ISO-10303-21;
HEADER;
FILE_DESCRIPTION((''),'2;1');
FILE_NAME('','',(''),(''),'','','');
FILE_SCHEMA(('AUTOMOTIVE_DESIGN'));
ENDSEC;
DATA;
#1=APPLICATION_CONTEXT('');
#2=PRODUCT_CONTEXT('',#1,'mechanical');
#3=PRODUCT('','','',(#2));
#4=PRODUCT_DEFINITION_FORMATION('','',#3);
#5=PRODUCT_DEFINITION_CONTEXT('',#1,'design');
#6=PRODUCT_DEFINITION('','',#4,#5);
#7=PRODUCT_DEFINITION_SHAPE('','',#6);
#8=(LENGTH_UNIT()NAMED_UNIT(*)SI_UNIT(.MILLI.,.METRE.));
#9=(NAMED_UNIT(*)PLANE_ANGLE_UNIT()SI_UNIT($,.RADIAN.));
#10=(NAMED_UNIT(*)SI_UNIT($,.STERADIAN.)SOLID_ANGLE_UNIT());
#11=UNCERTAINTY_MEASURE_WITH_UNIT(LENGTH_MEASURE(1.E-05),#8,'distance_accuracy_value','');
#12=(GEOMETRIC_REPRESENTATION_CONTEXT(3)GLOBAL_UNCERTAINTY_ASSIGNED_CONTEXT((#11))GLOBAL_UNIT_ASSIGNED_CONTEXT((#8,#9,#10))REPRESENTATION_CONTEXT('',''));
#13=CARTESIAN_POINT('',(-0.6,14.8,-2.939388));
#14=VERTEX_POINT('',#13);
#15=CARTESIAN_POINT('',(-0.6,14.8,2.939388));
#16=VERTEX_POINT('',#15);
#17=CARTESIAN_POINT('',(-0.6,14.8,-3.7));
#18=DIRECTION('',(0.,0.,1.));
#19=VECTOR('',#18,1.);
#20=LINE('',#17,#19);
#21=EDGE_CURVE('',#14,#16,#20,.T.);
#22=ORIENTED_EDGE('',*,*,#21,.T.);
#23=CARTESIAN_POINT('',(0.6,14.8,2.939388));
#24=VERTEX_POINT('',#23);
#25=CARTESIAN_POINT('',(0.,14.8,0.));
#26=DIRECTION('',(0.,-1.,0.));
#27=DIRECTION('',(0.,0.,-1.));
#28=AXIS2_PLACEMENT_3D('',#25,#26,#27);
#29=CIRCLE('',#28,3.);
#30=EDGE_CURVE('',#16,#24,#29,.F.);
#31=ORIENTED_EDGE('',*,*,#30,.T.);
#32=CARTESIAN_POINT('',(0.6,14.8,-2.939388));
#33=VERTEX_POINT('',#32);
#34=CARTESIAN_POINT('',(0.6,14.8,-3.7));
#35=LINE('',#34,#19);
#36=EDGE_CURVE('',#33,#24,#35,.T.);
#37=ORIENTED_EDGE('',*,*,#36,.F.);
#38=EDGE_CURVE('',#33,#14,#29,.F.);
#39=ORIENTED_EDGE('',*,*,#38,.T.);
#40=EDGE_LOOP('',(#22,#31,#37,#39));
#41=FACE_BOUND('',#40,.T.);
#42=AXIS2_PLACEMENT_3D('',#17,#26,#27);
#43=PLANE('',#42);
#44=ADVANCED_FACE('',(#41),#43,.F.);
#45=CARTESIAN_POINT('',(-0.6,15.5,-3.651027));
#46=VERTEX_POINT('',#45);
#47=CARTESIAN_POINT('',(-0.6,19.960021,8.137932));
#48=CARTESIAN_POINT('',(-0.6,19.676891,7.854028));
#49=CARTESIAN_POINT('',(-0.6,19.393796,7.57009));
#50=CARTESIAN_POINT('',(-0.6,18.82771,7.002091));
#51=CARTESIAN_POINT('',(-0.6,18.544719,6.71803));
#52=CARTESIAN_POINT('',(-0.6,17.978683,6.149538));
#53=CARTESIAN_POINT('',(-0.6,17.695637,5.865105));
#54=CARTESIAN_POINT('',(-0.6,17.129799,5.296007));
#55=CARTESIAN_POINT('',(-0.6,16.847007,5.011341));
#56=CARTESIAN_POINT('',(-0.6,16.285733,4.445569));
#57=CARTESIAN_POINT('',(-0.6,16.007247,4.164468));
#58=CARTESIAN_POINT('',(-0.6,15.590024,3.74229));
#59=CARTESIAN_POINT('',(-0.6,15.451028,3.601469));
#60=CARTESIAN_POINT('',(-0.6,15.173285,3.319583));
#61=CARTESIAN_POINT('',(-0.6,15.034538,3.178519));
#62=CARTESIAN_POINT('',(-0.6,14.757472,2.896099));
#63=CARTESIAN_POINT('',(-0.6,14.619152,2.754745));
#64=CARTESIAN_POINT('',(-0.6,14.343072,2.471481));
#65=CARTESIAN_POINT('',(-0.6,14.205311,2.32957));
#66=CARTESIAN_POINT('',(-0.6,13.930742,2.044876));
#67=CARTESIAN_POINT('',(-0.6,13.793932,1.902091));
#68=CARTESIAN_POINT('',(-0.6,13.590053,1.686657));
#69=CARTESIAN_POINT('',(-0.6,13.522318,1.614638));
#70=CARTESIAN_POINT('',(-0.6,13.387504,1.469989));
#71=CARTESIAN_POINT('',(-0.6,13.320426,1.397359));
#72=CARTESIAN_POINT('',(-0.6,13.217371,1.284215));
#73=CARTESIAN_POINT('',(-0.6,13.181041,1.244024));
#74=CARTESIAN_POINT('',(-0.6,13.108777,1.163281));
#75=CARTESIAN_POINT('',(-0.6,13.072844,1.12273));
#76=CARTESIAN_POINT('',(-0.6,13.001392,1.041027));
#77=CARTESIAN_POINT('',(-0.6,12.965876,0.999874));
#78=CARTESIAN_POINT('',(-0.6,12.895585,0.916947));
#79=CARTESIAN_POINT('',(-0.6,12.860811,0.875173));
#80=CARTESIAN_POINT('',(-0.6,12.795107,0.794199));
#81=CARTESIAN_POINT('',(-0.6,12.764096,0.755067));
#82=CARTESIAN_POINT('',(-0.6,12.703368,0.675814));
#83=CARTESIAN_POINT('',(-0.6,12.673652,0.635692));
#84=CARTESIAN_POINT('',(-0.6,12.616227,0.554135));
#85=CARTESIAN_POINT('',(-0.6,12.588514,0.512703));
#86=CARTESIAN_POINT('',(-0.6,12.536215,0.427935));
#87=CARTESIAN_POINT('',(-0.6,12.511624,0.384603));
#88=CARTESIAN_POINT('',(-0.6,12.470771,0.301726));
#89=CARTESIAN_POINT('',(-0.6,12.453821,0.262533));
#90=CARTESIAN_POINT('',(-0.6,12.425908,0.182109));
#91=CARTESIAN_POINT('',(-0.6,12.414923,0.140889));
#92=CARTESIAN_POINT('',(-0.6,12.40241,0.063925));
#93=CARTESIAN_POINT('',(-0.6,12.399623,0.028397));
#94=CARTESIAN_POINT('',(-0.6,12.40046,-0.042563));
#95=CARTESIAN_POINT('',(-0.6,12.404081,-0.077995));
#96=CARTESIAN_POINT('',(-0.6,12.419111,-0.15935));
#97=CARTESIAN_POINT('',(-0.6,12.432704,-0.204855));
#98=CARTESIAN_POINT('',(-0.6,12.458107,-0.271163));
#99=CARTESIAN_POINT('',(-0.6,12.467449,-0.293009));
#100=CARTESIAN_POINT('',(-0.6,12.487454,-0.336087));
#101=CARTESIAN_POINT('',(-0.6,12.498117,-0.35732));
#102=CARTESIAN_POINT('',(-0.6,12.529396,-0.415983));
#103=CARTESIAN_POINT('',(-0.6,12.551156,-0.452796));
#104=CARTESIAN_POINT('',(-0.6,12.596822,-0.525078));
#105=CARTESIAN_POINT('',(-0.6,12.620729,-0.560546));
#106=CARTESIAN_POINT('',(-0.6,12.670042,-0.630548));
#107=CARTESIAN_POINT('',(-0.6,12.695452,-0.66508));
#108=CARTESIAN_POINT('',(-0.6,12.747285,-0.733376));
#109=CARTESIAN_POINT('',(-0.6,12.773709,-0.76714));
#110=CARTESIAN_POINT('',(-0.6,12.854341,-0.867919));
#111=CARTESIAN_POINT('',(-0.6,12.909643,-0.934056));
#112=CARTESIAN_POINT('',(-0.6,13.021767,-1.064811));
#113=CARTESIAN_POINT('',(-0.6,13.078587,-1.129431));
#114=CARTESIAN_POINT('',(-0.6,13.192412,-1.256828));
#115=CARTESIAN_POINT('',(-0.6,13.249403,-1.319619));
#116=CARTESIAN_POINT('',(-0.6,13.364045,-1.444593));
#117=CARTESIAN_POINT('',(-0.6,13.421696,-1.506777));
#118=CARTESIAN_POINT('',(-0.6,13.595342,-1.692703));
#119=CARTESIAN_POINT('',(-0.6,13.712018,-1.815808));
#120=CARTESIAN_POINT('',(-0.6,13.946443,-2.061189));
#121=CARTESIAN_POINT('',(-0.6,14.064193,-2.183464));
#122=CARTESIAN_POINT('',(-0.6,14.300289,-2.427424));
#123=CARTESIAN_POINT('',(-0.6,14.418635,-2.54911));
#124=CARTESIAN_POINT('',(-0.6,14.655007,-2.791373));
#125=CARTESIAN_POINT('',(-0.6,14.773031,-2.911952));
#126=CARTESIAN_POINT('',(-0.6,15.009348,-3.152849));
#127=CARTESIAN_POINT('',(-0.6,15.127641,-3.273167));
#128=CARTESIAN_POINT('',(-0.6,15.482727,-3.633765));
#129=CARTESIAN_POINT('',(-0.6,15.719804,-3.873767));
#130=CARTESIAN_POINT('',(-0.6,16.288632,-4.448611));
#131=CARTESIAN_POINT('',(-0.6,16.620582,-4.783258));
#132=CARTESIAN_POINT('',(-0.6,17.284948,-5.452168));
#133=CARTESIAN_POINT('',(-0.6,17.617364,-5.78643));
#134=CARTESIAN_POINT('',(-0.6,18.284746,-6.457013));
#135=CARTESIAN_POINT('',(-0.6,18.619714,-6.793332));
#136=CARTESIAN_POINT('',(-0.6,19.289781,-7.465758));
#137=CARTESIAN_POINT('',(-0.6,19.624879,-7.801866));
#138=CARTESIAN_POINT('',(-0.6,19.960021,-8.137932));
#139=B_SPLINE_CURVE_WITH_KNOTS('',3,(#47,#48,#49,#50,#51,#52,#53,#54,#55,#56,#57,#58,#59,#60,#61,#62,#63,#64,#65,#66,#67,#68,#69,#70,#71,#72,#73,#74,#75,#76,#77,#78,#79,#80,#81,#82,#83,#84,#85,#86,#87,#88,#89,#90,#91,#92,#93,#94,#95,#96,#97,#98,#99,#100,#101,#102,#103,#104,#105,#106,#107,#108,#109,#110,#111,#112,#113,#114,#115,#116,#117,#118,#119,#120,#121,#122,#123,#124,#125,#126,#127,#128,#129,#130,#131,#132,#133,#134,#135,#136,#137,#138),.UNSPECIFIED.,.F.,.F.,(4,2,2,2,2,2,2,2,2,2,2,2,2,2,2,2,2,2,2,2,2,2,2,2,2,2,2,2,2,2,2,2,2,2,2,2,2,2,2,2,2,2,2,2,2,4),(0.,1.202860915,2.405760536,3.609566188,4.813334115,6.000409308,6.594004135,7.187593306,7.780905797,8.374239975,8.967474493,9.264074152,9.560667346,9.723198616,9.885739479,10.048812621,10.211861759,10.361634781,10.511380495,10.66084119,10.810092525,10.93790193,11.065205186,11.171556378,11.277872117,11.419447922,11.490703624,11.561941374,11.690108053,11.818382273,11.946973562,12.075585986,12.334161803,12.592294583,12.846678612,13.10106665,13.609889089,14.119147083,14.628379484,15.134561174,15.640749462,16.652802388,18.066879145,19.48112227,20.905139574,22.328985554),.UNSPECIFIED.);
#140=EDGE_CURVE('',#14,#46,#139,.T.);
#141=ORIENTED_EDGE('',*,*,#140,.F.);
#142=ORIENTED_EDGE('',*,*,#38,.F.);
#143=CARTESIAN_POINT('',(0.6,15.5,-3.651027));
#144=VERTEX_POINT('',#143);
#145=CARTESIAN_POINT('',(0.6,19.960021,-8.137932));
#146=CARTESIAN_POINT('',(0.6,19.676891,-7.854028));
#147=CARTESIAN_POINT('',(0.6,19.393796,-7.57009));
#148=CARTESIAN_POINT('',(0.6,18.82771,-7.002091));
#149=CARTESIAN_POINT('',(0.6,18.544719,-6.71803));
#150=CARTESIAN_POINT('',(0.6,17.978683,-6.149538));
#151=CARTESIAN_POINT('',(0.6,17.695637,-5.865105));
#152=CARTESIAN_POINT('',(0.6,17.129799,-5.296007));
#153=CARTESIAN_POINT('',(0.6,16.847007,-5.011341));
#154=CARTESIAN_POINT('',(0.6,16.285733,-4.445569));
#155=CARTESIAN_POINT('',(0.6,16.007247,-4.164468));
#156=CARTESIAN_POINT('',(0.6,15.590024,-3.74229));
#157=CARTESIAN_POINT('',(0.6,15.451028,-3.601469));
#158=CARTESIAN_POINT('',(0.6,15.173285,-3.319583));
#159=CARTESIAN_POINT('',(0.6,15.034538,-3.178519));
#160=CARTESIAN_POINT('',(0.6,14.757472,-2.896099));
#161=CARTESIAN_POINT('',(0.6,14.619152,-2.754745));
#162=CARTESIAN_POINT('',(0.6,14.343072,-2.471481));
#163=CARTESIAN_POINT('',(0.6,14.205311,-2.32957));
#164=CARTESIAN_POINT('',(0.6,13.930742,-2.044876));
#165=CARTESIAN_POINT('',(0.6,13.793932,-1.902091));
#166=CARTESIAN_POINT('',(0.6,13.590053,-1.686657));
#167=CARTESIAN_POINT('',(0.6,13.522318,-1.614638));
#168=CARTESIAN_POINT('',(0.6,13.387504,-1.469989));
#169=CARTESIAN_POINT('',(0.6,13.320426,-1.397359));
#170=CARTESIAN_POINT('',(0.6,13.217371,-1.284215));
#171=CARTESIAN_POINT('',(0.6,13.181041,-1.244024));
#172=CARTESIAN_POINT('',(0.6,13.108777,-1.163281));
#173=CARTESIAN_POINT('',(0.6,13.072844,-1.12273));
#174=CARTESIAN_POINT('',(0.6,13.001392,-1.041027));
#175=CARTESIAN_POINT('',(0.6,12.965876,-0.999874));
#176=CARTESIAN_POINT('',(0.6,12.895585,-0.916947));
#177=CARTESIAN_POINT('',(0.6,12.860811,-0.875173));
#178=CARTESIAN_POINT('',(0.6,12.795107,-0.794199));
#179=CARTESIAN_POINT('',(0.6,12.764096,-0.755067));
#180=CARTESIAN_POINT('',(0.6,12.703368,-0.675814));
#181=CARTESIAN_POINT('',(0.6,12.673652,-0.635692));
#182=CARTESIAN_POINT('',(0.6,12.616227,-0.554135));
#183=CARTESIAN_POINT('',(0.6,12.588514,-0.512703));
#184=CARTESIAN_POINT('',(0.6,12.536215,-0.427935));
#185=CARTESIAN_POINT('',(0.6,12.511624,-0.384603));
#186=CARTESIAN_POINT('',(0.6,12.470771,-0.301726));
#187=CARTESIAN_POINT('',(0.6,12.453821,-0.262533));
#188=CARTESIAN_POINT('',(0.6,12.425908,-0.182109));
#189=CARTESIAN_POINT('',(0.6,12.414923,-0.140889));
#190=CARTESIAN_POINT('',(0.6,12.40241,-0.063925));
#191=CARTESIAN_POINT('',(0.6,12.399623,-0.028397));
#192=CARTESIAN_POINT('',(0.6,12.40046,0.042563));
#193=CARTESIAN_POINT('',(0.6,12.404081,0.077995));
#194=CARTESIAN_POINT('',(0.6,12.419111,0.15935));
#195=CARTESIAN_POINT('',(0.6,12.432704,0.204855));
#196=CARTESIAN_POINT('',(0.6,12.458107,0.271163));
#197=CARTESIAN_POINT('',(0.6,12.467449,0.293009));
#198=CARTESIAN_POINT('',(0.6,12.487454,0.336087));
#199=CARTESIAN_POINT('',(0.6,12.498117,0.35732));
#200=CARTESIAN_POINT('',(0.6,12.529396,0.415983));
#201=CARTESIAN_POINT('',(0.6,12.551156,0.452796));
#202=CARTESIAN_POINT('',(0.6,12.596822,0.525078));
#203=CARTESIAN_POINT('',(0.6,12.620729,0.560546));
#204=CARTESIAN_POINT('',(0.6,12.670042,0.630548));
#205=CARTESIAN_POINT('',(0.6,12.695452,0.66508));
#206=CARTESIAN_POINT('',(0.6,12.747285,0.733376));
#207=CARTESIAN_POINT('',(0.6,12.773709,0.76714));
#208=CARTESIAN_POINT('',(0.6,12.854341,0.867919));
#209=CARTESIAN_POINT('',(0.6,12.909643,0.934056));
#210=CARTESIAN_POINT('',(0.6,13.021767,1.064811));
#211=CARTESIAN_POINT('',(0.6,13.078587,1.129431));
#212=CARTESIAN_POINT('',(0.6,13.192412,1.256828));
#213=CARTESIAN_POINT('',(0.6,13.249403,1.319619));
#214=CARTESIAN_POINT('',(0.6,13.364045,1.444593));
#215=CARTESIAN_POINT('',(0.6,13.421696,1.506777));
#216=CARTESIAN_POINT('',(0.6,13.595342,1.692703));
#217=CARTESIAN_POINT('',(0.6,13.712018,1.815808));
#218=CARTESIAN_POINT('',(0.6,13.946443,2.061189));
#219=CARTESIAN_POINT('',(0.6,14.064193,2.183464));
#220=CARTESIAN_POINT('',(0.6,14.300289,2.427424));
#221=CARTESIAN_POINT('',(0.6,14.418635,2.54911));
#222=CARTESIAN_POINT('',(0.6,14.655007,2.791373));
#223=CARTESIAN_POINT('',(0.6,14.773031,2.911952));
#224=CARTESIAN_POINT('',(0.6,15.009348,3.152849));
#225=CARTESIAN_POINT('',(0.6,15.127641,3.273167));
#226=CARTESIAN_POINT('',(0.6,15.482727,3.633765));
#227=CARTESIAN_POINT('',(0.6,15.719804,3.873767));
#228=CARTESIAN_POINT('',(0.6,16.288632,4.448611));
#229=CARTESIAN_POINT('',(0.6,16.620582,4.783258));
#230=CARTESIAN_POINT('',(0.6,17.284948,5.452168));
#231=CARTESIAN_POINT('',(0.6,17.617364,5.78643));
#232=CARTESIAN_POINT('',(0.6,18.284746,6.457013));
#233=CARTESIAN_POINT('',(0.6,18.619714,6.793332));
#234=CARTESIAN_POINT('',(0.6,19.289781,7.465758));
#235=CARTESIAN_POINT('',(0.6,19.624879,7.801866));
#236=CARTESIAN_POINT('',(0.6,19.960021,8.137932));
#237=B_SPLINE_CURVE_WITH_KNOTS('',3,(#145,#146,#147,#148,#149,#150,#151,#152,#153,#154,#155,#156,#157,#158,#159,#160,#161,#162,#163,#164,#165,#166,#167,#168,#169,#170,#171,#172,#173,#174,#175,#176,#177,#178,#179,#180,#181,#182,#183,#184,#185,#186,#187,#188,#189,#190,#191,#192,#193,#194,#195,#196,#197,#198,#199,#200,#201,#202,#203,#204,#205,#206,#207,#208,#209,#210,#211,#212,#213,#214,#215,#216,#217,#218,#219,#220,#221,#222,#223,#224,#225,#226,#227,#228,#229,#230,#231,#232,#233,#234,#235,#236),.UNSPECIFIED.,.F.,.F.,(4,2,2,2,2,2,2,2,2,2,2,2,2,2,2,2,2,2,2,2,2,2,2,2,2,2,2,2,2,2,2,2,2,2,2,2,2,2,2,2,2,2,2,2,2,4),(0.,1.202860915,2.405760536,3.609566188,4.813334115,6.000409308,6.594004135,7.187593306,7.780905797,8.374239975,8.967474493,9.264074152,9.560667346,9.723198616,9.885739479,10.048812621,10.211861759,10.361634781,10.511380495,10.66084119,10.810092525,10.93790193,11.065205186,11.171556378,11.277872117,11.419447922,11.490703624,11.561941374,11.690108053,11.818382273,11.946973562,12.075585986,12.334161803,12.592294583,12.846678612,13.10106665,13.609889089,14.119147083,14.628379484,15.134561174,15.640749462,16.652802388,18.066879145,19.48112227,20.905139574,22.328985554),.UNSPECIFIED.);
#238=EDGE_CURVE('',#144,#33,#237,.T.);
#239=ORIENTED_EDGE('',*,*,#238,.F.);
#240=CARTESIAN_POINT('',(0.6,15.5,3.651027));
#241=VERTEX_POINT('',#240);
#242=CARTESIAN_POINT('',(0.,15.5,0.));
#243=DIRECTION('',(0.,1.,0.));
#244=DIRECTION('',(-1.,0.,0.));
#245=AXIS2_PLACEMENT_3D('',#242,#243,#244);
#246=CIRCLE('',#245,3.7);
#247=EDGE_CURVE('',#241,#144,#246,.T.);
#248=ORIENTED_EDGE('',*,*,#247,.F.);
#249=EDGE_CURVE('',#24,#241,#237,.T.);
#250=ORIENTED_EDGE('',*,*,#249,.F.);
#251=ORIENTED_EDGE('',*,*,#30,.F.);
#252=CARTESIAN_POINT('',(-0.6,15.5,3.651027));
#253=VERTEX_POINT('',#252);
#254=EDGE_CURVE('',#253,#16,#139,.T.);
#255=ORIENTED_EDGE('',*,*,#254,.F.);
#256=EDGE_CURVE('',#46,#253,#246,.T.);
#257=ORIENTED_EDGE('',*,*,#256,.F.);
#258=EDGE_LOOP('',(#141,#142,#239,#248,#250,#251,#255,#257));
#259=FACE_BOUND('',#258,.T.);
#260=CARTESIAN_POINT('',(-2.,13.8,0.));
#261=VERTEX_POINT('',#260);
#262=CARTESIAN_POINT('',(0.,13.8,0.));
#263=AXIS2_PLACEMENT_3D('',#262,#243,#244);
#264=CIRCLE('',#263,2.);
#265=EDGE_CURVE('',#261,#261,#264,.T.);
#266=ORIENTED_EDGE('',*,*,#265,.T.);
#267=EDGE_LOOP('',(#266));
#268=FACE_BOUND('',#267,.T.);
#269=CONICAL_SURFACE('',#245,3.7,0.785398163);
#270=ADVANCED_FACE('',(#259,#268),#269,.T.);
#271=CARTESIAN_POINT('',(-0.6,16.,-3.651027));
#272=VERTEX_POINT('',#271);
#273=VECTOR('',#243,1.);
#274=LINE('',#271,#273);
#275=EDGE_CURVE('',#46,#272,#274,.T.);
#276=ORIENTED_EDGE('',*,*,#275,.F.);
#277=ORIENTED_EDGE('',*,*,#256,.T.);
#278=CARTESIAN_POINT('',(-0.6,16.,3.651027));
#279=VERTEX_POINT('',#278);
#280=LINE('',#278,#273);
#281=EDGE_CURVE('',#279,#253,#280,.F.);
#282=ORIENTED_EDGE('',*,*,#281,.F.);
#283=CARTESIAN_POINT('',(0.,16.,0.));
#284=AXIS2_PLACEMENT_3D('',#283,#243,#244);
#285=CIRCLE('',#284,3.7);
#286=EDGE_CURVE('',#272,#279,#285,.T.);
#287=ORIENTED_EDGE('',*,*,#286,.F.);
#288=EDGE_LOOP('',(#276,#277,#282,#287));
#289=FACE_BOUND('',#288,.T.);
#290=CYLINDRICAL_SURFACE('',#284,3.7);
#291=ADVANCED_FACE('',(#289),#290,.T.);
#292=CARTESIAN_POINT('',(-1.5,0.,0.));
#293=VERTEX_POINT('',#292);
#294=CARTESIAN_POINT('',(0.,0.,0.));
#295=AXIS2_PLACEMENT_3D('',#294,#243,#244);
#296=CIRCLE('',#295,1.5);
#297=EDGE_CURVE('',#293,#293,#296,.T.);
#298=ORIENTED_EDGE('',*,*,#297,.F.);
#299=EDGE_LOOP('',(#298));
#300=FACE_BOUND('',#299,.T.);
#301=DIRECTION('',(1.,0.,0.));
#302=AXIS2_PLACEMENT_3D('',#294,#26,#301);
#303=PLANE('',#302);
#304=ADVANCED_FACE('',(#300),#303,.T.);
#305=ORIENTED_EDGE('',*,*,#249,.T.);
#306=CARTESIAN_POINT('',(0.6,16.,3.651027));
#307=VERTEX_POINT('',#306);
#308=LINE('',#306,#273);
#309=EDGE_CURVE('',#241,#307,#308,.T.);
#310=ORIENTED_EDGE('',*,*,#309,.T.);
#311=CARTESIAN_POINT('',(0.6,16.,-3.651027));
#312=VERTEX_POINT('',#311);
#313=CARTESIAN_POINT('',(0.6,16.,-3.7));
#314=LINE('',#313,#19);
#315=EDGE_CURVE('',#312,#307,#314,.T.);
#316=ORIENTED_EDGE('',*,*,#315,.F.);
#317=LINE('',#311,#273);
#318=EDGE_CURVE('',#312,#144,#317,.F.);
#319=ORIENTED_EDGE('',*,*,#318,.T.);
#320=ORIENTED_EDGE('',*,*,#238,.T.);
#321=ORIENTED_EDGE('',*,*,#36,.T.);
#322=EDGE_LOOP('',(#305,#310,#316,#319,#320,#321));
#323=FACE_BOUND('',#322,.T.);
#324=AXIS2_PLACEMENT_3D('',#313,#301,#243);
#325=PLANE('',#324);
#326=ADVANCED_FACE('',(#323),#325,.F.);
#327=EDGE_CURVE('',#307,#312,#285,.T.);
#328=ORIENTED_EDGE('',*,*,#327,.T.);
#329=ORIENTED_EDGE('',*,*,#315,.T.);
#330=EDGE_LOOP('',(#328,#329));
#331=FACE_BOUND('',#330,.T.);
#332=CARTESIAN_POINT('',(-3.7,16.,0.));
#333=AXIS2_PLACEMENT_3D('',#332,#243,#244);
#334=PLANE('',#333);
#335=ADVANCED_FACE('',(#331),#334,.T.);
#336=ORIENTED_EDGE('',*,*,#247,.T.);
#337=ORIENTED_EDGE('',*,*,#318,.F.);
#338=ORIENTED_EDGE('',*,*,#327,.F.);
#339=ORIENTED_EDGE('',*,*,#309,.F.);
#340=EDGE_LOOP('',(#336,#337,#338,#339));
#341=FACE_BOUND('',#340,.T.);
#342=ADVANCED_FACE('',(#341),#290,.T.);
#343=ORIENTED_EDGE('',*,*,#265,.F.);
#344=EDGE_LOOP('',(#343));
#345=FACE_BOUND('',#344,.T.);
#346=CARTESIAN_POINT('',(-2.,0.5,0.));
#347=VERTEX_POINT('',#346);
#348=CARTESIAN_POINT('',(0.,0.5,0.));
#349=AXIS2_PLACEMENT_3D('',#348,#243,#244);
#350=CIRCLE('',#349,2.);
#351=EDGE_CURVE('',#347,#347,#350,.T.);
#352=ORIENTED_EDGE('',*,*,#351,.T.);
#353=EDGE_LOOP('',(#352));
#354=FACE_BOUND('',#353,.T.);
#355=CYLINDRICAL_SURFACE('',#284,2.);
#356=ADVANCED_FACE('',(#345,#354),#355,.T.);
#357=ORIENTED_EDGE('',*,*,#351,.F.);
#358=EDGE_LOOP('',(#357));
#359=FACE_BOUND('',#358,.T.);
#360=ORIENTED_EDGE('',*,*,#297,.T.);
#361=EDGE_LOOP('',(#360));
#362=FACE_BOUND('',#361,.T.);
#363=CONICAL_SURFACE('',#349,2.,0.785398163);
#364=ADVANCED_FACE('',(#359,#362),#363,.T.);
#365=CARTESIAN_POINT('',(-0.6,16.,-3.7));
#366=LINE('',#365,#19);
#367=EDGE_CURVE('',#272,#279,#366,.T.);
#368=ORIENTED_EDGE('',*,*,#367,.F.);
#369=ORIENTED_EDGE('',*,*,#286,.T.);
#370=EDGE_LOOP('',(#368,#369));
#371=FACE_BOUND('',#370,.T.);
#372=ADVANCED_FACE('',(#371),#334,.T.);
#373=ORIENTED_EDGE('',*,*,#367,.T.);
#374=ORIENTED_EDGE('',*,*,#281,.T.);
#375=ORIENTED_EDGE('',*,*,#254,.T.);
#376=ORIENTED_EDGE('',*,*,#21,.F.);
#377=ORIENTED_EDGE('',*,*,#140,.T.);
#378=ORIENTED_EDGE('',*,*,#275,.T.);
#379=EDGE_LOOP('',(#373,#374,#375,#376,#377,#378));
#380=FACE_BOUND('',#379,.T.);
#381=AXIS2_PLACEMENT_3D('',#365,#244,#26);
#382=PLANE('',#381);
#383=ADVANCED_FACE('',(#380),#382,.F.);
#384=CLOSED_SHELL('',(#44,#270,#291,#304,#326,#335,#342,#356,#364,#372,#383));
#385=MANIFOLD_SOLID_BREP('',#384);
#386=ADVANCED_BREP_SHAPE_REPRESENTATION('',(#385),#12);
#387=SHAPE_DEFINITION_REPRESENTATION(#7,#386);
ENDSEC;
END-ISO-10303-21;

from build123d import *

# Parameters (mm, degrees)
CUT_EXTRUDE_1_DEPTH      = 17.83389438
CUT_EXTRUDE_1_DEPTH_BACK = 17.83389438
SKETCH_2_W               = 1.2
SKETCH_2_H               = 1.2


with BuildPart() as part:
    # Эскиз1 → Повернуть1 (revolve)
    with BuildSketch(Plane.XY):
        Polygon((0, 0), (-1.5, 0), (-2, 0.5), (-2, 13.8), (-3.7, 15.5), (-3.7, 16), (0, 16), align=None)
    revolve(axis=Axis((0, 16, 0), (0, -1, 0)))

    # Эскиз2 → Вырез-Вытянуть1 (cut, two sides: drawn at the far end of the back side and taken through both)
    with BuildSketch(Plane.XY.offset(-CUT_EXTRUDE_1_DEPTH_BACK)):
        with Locations((0, 15.4)):
            Rectangle(SKETCH_2_W, SKETCH_2_H)
    extrude(amount=CUT_EXTRUDE_1_DEPTH + CUT_EXTRUDE_1_DEPTH_BACK, mode=Mode.SUBTRACT)


solid = part.part
